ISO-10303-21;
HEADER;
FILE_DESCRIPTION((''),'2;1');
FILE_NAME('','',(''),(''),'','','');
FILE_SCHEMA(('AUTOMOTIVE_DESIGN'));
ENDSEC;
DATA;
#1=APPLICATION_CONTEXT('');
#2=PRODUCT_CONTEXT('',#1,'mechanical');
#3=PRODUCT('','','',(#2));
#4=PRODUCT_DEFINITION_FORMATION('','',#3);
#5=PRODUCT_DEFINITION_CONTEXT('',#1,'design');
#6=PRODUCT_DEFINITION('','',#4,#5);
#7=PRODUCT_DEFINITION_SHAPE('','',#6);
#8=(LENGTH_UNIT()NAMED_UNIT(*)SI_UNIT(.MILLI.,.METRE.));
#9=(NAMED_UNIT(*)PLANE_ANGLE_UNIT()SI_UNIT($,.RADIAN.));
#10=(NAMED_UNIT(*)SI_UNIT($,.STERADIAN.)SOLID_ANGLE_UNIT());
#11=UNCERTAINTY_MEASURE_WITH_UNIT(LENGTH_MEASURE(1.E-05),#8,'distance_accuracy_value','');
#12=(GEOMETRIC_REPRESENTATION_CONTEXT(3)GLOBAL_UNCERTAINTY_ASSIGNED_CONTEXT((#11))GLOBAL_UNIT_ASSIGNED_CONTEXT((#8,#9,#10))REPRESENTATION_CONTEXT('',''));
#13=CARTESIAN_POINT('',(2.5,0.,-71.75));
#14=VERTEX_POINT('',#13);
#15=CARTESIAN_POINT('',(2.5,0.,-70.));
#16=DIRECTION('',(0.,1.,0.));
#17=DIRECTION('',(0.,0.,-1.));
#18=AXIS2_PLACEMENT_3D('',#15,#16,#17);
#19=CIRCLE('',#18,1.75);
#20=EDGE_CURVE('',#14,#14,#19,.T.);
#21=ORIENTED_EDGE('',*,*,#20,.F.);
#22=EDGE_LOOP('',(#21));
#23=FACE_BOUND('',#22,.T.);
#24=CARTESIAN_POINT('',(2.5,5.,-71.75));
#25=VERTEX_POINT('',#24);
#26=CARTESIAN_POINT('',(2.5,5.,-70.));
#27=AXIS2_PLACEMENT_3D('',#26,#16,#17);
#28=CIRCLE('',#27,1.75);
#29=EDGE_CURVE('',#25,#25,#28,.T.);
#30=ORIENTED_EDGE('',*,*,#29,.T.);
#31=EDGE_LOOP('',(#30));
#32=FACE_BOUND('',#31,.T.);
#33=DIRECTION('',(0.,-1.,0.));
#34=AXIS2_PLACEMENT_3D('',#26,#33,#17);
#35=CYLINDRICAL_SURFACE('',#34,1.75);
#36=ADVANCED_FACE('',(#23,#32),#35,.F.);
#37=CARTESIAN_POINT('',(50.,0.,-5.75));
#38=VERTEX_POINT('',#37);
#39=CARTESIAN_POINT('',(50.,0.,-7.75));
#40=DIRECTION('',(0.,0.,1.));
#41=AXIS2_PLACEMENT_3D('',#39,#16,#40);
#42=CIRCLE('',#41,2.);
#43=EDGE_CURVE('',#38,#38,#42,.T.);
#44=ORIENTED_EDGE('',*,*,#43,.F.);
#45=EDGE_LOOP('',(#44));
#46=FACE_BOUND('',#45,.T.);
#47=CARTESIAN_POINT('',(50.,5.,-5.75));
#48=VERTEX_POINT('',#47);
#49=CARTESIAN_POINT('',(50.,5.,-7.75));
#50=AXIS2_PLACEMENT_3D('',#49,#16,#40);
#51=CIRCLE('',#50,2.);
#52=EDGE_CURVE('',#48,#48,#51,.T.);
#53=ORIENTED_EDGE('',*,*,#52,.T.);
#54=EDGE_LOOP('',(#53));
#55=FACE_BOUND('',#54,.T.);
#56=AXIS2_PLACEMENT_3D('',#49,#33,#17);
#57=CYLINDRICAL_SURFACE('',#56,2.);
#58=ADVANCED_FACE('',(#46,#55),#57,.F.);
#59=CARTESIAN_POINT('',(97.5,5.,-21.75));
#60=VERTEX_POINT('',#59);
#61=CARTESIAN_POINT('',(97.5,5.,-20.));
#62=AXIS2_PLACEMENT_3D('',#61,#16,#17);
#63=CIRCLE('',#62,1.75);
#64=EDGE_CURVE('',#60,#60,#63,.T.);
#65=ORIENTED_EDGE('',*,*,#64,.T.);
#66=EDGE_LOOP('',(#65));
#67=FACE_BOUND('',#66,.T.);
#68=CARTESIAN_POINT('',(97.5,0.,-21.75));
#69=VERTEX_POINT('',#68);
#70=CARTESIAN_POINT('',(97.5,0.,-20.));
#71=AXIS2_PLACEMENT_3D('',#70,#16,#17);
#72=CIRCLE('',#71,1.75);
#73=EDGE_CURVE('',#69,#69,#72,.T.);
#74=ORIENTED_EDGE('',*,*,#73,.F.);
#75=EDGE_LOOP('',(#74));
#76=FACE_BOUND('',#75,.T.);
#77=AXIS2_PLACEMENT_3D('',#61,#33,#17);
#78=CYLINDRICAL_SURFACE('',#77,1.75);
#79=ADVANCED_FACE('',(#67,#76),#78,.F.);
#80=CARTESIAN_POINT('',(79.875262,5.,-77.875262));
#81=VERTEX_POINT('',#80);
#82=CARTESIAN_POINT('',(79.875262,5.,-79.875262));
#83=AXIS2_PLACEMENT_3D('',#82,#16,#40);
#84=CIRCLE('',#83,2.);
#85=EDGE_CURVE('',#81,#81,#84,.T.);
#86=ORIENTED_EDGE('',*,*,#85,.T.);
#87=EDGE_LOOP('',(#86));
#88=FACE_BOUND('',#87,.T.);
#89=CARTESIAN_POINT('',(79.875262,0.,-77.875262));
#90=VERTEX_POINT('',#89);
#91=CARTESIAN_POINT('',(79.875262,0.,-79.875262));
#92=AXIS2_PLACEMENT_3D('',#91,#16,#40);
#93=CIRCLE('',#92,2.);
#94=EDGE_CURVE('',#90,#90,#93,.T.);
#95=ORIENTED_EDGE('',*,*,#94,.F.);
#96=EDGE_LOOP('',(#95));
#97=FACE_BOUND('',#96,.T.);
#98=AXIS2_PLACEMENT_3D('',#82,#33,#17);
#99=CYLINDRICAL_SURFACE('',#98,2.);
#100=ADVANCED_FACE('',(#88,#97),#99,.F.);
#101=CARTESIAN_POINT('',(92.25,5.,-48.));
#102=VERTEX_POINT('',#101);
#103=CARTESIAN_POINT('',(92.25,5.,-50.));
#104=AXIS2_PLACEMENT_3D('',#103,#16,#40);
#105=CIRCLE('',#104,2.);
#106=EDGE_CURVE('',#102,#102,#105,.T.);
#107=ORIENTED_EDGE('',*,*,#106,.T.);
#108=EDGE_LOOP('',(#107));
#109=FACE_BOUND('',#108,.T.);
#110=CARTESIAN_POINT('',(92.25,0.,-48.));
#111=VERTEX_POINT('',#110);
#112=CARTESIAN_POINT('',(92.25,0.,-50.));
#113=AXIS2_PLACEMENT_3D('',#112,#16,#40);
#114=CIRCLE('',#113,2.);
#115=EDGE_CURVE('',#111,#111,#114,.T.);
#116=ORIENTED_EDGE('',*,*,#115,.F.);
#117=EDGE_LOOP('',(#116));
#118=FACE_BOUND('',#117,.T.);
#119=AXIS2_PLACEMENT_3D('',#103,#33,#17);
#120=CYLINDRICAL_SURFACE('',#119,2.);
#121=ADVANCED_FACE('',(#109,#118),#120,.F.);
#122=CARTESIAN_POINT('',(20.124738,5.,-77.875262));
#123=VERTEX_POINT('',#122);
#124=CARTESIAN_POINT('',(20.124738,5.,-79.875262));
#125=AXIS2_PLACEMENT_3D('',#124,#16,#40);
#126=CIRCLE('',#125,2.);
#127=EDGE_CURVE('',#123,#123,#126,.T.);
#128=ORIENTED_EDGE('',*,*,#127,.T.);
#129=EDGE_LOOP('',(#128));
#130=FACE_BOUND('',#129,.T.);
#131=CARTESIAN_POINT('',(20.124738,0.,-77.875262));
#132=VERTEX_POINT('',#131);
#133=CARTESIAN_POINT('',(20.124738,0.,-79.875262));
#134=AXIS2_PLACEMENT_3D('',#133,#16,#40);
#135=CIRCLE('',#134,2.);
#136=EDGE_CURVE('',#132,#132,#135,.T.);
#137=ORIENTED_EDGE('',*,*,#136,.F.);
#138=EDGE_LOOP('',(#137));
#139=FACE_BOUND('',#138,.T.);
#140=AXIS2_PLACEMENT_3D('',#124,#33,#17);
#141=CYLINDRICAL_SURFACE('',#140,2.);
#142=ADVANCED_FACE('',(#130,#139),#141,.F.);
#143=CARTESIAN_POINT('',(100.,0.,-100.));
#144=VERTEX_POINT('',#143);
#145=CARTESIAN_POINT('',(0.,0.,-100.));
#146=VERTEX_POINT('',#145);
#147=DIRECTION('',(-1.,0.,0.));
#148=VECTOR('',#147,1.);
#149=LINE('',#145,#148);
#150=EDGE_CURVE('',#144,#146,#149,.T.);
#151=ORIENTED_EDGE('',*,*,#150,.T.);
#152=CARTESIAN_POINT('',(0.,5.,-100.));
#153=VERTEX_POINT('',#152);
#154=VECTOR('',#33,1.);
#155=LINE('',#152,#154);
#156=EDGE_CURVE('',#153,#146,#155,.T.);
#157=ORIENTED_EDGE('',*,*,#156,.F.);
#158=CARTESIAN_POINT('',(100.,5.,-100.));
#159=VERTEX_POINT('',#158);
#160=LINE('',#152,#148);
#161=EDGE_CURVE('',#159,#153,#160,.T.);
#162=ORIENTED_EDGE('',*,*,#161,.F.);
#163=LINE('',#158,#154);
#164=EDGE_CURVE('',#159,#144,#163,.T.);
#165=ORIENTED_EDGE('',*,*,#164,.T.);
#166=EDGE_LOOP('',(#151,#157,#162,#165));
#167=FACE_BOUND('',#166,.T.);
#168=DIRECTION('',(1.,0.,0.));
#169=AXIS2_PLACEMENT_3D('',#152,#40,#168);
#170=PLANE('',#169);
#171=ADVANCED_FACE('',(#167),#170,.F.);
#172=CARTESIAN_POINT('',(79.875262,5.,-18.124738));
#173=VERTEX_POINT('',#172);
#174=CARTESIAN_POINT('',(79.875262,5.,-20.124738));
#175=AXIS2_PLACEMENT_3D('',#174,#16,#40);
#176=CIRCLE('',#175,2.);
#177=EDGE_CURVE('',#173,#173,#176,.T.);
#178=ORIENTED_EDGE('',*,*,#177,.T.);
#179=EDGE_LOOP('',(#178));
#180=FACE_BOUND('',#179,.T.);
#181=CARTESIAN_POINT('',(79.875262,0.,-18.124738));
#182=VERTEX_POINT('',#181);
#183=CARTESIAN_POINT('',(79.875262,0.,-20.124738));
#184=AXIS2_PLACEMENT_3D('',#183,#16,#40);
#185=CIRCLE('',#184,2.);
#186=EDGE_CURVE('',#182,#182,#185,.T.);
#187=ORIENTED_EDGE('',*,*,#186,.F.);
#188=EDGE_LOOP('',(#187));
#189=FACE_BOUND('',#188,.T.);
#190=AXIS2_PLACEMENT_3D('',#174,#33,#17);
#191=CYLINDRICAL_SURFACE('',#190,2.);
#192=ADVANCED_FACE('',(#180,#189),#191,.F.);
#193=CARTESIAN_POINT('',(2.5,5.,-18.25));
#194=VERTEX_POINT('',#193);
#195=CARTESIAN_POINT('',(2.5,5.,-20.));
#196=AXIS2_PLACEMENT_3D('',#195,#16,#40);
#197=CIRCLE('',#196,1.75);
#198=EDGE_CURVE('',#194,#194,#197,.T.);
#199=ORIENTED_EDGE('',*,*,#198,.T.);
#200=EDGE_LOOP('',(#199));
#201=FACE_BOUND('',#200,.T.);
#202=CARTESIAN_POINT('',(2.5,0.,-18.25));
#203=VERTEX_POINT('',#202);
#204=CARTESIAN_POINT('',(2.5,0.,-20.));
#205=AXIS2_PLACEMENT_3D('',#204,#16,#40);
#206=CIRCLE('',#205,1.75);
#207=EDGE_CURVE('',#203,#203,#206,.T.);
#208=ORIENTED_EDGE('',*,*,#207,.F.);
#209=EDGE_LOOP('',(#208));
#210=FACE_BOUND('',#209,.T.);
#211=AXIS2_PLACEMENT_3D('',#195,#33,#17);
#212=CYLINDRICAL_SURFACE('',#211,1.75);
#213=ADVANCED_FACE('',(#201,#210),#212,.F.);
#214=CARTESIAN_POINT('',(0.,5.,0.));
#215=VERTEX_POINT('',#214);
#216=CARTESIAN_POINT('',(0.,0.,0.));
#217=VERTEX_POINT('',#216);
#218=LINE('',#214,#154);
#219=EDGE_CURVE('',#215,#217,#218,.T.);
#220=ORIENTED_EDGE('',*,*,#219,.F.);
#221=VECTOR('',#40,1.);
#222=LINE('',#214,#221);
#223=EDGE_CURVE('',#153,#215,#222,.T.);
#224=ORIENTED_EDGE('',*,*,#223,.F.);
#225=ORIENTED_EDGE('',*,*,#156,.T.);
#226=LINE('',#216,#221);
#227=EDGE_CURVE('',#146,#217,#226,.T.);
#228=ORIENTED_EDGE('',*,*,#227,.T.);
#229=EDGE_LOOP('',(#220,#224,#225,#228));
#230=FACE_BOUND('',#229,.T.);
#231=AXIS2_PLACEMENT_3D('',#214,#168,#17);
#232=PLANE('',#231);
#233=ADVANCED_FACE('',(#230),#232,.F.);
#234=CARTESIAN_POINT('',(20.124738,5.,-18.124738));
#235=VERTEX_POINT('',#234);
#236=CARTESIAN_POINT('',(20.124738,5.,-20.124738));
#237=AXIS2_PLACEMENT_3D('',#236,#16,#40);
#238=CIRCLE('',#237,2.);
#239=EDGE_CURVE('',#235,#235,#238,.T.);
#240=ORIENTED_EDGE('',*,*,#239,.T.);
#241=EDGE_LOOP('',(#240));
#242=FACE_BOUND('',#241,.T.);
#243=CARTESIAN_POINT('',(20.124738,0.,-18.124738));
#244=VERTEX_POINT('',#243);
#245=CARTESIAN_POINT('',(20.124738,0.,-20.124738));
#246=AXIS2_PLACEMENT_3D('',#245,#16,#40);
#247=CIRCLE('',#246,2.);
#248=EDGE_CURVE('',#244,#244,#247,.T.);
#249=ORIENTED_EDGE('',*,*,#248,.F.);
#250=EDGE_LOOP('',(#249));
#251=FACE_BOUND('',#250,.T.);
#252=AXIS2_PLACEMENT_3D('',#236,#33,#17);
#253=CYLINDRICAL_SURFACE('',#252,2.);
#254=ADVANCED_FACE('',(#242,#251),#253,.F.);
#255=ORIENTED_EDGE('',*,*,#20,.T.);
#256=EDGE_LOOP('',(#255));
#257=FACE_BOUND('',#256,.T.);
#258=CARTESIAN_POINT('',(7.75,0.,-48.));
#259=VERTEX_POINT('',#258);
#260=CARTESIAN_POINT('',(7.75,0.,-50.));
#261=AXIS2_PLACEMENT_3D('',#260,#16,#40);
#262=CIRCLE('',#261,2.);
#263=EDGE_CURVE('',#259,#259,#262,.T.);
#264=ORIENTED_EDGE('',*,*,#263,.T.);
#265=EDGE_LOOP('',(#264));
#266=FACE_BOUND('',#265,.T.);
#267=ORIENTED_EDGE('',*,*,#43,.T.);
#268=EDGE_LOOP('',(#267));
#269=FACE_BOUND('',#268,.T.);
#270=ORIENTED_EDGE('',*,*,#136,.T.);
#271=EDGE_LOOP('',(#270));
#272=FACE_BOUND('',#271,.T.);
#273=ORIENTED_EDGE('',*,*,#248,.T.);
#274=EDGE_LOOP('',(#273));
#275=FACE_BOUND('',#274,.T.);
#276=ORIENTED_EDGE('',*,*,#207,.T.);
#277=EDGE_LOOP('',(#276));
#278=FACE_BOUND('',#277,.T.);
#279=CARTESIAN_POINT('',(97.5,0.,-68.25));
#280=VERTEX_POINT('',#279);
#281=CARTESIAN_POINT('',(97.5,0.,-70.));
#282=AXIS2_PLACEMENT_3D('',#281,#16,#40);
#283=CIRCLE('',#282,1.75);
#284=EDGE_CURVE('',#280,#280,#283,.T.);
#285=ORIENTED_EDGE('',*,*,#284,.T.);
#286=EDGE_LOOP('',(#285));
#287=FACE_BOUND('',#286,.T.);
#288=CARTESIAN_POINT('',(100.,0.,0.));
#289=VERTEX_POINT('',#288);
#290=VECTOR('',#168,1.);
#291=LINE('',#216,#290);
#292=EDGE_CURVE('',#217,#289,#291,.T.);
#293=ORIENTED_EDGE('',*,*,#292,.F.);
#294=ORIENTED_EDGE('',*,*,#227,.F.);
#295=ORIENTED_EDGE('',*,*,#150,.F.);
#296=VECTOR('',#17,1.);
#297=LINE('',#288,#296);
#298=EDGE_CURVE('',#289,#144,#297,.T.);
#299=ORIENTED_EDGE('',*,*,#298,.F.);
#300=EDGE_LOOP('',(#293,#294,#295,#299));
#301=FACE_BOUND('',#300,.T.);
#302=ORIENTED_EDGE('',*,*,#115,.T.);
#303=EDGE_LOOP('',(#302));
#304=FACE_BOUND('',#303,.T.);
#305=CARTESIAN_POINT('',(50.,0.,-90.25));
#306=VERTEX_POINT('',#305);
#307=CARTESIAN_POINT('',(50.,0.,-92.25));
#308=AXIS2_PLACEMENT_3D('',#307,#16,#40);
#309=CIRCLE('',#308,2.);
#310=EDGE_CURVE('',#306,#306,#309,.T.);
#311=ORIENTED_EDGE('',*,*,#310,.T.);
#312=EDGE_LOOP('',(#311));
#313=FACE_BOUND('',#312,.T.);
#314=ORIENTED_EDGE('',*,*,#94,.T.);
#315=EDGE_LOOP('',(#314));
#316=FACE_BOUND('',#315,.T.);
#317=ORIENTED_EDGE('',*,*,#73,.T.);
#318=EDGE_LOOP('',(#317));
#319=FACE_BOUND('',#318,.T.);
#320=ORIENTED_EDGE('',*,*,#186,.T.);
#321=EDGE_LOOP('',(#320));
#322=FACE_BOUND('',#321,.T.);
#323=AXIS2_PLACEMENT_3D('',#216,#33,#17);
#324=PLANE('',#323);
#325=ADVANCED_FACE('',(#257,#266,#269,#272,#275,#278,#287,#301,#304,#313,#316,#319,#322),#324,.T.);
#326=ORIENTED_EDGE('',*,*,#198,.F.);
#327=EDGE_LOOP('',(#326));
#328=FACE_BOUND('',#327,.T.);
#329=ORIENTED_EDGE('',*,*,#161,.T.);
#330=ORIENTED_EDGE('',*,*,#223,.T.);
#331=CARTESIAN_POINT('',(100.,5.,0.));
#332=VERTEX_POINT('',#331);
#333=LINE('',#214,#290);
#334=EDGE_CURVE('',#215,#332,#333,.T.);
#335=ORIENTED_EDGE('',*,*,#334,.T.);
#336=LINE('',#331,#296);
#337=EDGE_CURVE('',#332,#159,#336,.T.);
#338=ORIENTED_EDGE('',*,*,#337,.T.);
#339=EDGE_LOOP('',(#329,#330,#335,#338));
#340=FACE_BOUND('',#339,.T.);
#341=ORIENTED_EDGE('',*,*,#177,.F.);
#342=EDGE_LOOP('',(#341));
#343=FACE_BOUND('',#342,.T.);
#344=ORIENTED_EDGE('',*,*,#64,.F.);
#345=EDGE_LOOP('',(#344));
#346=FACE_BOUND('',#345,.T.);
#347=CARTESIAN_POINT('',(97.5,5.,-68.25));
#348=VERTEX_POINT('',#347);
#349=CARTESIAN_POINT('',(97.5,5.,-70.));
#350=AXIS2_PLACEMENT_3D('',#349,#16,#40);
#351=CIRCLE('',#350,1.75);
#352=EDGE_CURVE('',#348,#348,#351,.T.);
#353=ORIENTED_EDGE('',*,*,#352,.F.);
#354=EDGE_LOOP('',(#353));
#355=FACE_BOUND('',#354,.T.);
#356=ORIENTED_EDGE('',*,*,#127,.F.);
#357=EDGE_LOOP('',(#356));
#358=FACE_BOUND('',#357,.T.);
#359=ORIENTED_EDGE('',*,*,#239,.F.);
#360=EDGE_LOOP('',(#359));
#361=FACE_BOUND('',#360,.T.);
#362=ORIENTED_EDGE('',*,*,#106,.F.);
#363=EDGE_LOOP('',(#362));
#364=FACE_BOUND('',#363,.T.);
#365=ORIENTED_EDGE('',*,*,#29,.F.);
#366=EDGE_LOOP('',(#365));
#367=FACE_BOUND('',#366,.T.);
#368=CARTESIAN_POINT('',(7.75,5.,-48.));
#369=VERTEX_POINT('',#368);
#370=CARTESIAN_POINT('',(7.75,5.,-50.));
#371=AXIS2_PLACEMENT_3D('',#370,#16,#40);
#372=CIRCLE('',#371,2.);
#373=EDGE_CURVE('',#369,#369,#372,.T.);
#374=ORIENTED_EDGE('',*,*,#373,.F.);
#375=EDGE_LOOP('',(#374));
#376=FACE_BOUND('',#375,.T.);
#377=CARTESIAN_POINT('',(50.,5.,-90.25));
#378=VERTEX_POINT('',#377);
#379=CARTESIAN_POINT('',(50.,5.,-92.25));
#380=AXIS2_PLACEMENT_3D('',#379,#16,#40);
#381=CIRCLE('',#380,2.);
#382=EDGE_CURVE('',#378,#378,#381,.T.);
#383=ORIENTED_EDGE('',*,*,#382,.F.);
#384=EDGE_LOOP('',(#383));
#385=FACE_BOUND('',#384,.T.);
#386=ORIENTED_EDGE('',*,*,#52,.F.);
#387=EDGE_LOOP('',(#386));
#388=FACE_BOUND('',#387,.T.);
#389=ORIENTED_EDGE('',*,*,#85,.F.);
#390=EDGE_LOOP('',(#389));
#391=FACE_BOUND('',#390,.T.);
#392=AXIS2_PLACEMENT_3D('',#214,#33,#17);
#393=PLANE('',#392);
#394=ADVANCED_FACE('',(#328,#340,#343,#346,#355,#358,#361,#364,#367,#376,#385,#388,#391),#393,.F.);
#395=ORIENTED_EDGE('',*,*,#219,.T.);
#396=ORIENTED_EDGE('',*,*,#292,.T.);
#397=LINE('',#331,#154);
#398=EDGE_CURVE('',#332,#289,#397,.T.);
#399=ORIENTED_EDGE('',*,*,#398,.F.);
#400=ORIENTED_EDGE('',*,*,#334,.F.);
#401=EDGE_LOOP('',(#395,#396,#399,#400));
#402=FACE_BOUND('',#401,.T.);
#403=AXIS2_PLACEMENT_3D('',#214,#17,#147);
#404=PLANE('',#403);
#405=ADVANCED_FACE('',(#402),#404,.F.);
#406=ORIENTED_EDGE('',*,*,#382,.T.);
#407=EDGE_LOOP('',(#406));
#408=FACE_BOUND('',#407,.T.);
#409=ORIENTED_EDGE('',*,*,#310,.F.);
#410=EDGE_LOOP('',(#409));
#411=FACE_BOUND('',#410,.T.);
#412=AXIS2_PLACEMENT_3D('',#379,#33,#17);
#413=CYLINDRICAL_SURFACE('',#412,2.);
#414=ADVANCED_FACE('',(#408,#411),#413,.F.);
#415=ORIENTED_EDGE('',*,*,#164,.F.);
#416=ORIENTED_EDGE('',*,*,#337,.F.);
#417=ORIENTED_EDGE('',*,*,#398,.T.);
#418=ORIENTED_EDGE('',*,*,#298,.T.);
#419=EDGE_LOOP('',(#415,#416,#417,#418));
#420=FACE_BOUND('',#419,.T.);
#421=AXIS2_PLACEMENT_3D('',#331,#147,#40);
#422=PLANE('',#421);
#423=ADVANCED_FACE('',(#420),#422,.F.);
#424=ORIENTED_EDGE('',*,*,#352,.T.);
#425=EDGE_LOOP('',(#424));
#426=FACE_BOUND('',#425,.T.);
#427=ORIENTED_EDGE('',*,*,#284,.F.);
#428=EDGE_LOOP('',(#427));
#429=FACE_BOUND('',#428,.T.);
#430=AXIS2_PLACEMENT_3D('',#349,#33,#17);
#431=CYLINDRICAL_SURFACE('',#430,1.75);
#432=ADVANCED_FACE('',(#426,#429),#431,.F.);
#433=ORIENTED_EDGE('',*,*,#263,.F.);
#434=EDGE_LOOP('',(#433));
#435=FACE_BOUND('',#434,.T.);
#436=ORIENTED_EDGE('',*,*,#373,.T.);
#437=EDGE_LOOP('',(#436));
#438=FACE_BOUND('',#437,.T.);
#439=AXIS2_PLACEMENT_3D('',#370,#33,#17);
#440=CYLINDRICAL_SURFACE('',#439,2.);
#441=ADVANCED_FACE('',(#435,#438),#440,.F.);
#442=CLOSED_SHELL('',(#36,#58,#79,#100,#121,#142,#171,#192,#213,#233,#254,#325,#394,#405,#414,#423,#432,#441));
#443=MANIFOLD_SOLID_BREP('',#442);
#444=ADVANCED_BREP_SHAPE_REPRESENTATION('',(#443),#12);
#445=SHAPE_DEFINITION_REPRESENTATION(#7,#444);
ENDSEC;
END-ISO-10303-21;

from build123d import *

# Parameters (mm, degrees)
SKETCH2_W           = 100
SKETCH2_H           = 100
SKETCH2_R           = 2
SKETCH2_R_2         = 1.75
BOSS_EXTRUDE1_DEPTH = 5


with BuildPart() as part:
    # Sketch2 → Boss-Extrude1 (new body)
    with BuildSketch(Plane(origin=(0, 0, 0), x_dir=(1, 0, 0), z_dir=(0, 1, 0))):
        with Locations((50, 50)):
            Rectangle(SKETCH2_W, SKETCH2_H)
        with Locations(Location((50, 92.25, 0), (0, 0, 270))):
            Circle(SKETCH2_R, mode=Mode.SUBTRACT)
        with Locations(Location((79.875261505, 79.875261505, 0), (0, 0, 270))):
            Circle(SKETCH2_R, mode=Mode.SUBTRACT)
        with Locations(Location((92.25, 50, 0), (0, 0, 270))):
            Circle(SKETCH2_R, mode=Mode.SUBTRACT)
        with Locations(Location((79.875261505, 20.124738495, 0), (0, 0, 270))):
            Circle(SKETCH2_R, mode=Mode.SUBTRACT)
        with Locations(Location((50, 7.75, 0), (0, 0, 270))):
            Circle(SKETCH2_R, mode=Mode.SUBTRACT)
        with Locations(Location((20.124738495, 20.124738495, 0), (0, 0, 270))):
            Circle(SKETCH2_R, mode=Mode.SUBTRACT)
        with Locations(Location((7.75, 50, 0), (0, 0, 270))):
            Circle(SKETCH2_R, mode=Mode.SUBTRACT)
        with Locations(Location((20.124738495, 79.875261505, 0), (0, 0, 270))):
            Circle(SKETCH2_R, mode=Mode.SUBTRACT)
        with Locations(Location((2.5, 20, 0), (0, 0, 270))):
            Circle(SKETCH2_R_2, mode=Mode.SUBTRACT)
        with Locations(Location((2.5, 70, 0), (0, 0, 90))):
            Circle(SKETCH2_R_2, mode=Mode.SUBTRACT)
        with Locations(Location((97.5, 20, 0), (0, 0, 90))):
            Circle(SKETCH2_R_2, mode=Mode.SUBTRACT)
        with Locations(Location((97.5, 70, 0), (0, 0, 270))):
            Circle(SKETCH2_R_2, mode=Mode.SUBTRACT)
    extrude(amount=BOSS_EXTRUDE1_DEPTH)


solid = part.part
